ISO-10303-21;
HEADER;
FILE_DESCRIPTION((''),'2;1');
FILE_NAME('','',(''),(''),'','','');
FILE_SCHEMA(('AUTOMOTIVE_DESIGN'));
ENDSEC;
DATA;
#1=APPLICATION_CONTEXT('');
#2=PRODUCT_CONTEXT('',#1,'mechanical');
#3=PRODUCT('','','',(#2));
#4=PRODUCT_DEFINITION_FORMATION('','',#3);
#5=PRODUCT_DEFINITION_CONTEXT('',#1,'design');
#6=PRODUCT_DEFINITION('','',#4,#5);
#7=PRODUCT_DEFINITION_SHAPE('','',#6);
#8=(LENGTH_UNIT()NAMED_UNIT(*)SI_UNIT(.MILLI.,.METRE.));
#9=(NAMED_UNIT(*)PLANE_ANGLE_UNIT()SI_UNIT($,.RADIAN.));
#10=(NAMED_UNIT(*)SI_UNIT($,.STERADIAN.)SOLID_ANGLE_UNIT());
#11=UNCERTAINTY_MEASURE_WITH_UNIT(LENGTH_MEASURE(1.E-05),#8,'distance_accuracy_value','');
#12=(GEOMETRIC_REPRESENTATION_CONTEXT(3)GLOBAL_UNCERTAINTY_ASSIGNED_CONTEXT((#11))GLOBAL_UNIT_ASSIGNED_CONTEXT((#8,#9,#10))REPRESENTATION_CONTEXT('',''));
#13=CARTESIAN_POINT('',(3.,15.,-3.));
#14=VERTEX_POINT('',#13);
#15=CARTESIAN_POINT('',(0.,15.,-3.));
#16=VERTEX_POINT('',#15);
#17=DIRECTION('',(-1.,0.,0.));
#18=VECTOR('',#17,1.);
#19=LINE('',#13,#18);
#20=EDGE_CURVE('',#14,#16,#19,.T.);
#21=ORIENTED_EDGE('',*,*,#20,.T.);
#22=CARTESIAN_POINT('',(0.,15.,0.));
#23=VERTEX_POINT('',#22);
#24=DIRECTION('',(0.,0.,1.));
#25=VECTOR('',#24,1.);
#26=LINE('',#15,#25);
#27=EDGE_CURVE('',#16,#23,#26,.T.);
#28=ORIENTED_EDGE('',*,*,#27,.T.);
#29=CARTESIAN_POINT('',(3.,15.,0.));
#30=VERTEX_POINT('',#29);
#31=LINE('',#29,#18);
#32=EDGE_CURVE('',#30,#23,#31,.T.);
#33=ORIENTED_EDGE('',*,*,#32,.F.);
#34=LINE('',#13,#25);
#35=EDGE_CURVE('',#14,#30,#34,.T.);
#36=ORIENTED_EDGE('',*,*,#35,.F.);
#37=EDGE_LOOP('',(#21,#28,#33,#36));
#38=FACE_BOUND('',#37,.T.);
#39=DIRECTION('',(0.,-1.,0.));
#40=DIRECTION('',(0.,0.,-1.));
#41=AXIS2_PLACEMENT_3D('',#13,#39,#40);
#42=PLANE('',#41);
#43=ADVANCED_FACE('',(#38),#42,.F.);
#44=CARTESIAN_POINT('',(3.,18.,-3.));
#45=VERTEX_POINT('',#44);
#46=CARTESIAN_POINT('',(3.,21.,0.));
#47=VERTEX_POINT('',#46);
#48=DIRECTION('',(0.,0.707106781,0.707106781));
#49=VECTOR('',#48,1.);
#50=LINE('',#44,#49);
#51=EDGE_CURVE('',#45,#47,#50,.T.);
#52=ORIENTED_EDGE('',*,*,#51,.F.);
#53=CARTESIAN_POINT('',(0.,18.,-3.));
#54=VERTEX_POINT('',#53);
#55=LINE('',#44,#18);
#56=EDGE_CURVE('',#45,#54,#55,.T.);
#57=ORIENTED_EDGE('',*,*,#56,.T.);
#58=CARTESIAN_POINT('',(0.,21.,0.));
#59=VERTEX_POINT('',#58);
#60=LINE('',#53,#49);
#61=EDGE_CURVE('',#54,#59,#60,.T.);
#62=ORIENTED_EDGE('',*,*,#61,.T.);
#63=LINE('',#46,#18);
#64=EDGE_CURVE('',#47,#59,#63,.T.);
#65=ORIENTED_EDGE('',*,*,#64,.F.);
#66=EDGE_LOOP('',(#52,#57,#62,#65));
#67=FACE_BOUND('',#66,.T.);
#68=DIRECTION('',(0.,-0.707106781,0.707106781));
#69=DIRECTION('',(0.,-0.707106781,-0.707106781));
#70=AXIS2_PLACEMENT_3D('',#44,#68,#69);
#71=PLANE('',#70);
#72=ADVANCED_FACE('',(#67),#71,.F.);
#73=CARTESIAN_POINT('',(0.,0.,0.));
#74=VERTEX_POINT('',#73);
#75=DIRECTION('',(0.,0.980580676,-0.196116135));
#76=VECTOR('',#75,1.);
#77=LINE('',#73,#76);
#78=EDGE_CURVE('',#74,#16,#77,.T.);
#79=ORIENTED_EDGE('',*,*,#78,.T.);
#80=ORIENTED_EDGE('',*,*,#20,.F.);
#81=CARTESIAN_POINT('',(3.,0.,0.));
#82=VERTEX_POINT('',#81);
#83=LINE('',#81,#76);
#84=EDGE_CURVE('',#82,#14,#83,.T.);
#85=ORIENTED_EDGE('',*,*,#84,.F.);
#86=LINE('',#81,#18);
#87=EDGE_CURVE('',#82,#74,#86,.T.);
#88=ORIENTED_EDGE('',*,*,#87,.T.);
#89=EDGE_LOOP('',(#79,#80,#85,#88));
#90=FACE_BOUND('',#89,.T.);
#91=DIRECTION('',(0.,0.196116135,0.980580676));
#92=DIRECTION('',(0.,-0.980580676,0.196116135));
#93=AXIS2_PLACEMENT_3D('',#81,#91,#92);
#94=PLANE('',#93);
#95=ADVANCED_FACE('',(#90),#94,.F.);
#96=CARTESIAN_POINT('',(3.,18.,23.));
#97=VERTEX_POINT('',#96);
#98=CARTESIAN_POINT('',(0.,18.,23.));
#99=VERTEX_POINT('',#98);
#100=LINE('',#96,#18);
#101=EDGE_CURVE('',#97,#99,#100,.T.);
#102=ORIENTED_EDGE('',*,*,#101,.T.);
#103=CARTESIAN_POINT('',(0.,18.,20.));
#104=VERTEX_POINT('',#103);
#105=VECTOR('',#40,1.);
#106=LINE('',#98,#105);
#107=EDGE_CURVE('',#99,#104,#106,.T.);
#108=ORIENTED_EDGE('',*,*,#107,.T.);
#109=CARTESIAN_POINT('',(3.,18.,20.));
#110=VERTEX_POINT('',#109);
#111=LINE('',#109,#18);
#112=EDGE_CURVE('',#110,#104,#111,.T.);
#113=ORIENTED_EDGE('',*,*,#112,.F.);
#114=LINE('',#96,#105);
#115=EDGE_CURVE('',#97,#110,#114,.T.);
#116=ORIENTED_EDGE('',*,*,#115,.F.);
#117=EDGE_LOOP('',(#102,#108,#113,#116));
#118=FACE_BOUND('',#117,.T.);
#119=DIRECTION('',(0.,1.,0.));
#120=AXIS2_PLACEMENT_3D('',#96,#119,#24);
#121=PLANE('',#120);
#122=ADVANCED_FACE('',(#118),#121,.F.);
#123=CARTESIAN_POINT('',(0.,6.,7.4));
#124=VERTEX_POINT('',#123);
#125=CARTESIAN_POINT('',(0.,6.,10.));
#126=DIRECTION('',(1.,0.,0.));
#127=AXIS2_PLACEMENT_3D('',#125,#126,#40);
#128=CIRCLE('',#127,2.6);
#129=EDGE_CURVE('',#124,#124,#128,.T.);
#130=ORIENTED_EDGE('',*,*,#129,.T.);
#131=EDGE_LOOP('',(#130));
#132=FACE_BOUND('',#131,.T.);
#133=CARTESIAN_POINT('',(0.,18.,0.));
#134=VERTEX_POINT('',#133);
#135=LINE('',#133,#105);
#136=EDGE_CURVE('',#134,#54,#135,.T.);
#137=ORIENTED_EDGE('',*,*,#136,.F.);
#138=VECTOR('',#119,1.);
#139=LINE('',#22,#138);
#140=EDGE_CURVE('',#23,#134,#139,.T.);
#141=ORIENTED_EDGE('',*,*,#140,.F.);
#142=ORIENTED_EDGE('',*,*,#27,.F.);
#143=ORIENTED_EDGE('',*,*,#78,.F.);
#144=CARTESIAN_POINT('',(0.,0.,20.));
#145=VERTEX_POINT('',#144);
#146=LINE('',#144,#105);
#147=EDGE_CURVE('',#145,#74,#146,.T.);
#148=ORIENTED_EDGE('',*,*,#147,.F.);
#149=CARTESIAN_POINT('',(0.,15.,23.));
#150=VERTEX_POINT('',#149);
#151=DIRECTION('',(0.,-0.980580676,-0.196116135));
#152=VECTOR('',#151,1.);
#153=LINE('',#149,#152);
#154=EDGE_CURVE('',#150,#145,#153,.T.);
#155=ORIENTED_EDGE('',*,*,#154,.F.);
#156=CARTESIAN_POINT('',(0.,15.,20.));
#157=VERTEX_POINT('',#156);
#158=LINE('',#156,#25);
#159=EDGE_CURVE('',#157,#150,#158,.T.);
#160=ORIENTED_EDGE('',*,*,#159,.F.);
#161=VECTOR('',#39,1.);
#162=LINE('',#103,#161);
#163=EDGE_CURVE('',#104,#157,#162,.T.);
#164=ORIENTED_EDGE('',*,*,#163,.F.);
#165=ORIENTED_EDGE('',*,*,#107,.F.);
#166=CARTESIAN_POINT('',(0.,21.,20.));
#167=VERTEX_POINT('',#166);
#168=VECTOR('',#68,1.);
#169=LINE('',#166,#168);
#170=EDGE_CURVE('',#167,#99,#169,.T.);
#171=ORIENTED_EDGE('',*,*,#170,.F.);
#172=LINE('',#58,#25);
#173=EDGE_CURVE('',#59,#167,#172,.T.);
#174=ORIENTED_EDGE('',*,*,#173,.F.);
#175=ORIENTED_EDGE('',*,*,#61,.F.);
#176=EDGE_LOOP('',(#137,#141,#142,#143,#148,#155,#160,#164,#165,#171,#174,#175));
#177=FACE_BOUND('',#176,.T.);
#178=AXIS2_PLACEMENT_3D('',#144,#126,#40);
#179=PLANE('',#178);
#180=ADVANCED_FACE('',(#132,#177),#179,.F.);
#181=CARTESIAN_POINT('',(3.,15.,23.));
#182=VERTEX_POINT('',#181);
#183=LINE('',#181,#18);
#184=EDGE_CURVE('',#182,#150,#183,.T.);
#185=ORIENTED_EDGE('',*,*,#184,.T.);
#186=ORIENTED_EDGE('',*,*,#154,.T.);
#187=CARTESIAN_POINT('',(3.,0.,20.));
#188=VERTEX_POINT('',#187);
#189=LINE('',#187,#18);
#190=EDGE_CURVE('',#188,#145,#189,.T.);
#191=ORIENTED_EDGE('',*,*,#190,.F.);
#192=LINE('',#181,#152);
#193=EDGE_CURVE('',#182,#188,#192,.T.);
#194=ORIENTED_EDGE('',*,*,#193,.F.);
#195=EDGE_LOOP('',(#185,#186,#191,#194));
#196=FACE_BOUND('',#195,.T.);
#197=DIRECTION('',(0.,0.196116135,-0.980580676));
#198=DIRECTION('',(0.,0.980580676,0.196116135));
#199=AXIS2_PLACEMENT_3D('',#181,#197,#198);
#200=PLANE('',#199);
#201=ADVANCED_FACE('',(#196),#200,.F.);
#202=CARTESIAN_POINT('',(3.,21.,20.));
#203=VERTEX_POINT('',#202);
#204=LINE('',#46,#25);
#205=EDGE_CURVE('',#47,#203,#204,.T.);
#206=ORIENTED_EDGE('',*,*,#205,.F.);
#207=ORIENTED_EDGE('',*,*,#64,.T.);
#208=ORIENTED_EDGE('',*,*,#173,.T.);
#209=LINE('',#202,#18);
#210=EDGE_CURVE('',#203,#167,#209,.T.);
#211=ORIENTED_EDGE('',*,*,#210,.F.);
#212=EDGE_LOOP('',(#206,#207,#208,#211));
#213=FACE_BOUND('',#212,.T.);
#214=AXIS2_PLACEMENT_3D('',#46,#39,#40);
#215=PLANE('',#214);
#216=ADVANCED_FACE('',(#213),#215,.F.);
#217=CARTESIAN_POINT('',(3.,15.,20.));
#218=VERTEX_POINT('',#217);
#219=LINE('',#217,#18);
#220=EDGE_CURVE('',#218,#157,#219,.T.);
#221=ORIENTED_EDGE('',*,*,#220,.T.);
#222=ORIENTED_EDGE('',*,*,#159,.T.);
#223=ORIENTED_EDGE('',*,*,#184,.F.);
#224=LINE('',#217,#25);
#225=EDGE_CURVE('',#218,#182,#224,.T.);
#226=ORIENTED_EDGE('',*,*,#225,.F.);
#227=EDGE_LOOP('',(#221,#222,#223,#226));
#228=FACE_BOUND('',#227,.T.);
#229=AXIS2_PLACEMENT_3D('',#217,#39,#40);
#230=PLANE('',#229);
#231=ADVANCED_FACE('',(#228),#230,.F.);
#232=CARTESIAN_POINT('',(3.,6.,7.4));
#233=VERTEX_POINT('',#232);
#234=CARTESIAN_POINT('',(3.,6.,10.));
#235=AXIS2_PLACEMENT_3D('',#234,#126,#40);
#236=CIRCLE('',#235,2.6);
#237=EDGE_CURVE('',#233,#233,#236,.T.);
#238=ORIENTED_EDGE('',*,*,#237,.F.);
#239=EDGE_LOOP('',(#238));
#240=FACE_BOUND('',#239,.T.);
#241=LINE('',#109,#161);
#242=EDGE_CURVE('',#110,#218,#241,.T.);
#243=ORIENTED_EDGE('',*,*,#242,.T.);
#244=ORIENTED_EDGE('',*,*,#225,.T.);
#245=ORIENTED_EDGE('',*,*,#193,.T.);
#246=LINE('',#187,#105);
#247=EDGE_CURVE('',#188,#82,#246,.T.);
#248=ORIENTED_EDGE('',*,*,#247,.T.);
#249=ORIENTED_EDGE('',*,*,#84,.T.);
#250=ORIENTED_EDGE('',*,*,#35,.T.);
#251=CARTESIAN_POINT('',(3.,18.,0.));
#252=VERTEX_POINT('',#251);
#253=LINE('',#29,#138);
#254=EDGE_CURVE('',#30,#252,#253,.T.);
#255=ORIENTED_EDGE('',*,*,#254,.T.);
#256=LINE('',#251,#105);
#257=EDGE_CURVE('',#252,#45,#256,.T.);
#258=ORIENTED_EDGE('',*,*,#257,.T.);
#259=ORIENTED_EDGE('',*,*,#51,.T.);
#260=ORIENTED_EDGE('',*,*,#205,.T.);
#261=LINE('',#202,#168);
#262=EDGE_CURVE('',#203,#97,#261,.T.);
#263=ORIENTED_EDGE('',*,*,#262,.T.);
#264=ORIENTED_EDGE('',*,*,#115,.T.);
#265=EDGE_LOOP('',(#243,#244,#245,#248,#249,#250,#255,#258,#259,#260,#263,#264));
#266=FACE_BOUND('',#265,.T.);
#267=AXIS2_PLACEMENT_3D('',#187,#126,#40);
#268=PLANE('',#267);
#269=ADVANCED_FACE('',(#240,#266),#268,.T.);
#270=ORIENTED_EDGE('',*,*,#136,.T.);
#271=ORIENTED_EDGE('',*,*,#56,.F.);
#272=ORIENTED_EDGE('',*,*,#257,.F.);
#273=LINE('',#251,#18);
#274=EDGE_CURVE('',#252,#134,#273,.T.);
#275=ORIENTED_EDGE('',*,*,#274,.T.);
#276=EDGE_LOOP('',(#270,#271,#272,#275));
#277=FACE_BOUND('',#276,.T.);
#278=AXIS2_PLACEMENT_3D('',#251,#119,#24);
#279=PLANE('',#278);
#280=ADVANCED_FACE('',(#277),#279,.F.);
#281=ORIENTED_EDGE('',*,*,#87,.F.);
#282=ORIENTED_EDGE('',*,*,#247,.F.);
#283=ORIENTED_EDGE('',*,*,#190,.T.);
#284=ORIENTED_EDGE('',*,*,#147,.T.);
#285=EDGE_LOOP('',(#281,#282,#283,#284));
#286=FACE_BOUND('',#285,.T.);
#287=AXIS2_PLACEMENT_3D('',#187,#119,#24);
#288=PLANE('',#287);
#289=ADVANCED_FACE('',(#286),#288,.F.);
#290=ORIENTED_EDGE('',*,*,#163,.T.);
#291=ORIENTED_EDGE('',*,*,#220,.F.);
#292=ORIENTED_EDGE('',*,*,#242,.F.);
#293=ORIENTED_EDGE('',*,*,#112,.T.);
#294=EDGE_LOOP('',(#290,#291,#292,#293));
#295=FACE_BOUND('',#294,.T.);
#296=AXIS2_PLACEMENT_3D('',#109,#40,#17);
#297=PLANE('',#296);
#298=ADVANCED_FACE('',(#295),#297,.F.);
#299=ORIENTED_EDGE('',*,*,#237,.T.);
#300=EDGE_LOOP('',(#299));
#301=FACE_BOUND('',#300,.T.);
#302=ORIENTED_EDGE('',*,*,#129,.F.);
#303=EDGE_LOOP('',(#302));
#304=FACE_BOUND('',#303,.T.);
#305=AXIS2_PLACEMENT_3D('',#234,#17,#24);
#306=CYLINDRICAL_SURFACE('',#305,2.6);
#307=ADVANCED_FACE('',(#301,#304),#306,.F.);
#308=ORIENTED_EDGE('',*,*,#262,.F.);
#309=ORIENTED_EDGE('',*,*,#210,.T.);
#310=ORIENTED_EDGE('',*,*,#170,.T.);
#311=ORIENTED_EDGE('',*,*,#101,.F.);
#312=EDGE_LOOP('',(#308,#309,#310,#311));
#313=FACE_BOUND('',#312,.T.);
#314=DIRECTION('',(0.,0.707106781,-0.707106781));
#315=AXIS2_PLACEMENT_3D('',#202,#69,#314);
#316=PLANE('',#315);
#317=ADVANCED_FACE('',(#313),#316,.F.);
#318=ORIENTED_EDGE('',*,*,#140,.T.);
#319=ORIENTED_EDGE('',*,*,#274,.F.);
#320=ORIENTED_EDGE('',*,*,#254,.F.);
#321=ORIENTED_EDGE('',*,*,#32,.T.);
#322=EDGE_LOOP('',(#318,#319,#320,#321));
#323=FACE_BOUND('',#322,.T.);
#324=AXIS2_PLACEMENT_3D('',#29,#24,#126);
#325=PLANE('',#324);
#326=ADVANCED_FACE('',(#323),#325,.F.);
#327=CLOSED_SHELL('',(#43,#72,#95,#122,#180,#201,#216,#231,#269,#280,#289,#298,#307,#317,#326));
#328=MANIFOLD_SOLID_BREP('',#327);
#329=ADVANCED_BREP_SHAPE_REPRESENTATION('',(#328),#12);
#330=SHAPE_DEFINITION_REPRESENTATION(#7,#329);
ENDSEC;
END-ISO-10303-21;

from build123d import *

# Parameters (mm, degrees)
ESQUISSE4_R        = 2.6
BOSS_EXTRU_2_DEPTH = 3


with BuildPart() as part:
    # Esquisse4 → Boss.-Extru.2 (new body)
    with BuildSketch(Plane(origin=(0, 0, 0), x_dir=(0, 0, -1), z_dir=(1, 0, 0))):
        Polygon((-20, 0), (0, 0), (3, 15), (0, 15), (0, 18), (3, 18), (0, 21), (-20, 21), (-23, 18), (-20, 18), (-20, 15), (-23, 15), align=None)
        with Locations((-10, 6)):
            Circle(ESQUISSE4_R, mode=Mode.SUBTRACT)
    extrude(amount=BOSS_EXTRU_2_DEPTH)


solid = part.part
